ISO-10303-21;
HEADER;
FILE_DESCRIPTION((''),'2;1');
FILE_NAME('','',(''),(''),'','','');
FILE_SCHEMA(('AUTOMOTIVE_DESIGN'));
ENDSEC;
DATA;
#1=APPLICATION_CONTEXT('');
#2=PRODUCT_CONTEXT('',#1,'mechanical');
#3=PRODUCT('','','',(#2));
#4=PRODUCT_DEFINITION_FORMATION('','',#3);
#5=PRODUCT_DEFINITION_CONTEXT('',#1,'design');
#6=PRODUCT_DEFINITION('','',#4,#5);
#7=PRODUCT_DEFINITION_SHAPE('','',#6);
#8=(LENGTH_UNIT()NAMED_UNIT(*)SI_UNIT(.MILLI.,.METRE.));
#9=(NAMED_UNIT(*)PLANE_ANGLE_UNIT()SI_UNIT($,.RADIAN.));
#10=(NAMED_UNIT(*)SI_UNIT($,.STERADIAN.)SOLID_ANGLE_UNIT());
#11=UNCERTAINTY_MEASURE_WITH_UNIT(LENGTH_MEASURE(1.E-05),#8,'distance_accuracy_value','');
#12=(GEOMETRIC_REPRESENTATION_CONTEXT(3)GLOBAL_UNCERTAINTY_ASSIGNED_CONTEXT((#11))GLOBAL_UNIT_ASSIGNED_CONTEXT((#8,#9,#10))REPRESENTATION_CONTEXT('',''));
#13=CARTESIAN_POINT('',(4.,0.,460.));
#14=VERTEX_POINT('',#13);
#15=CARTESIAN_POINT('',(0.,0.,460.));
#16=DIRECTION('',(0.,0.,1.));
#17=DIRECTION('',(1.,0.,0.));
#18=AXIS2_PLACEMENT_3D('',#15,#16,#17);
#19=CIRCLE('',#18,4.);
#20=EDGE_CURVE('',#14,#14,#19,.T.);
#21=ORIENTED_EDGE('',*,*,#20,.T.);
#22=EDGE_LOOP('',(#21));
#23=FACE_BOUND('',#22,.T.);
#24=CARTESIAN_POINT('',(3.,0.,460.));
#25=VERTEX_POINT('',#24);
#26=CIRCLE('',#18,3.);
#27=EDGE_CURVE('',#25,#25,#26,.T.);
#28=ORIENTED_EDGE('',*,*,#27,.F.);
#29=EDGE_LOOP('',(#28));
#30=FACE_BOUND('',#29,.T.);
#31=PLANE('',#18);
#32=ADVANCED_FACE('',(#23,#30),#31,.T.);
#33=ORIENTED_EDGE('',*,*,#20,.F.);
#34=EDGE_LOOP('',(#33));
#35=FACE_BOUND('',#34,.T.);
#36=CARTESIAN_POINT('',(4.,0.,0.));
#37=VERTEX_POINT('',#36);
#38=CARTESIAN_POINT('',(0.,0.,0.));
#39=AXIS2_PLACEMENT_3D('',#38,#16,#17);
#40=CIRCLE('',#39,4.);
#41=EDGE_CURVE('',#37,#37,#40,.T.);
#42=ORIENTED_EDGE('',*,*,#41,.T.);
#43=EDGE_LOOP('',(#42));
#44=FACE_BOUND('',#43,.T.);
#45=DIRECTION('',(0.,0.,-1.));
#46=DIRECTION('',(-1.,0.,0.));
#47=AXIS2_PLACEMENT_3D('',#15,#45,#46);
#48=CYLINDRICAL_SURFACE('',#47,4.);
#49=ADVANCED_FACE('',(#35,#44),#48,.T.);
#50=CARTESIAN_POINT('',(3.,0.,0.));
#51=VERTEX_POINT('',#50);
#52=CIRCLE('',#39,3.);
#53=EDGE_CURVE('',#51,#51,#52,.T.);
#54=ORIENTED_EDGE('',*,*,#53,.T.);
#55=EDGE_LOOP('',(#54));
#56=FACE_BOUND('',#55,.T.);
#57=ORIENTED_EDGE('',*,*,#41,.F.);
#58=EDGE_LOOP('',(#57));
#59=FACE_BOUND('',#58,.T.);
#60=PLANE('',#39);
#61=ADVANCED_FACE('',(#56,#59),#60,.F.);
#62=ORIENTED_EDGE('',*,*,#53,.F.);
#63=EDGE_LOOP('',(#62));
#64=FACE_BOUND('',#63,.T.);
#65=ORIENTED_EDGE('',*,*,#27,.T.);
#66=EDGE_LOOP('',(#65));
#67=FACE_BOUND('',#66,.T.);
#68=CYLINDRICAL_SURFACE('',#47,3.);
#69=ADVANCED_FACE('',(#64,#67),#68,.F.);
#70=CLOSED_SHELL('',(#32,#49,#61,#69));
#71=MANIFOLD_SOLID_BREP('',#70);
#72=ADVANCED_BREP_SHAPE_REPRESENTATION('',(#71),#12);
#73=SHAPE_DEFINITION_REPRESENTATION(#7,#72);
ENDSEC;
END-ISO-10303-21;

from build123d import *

# Parameters (mm, degrees)
SKETCH_1_R      = 4
SKETCH_1_R_2    = 3
EXTRUDE_1_DEPTH = 460


with BuildPart() as part:
    # 草图1 → 凸台-拉伸1 (new body)
    with BuildSketch(Plane.XY):
        Circle(SKETCH_1_R)
        Circle(SKETCH_1_R_2, mode=Mode.SUBTRACT)
    extrude(amount=EXTRUDE_1_DEPTH)


solid = part.part
